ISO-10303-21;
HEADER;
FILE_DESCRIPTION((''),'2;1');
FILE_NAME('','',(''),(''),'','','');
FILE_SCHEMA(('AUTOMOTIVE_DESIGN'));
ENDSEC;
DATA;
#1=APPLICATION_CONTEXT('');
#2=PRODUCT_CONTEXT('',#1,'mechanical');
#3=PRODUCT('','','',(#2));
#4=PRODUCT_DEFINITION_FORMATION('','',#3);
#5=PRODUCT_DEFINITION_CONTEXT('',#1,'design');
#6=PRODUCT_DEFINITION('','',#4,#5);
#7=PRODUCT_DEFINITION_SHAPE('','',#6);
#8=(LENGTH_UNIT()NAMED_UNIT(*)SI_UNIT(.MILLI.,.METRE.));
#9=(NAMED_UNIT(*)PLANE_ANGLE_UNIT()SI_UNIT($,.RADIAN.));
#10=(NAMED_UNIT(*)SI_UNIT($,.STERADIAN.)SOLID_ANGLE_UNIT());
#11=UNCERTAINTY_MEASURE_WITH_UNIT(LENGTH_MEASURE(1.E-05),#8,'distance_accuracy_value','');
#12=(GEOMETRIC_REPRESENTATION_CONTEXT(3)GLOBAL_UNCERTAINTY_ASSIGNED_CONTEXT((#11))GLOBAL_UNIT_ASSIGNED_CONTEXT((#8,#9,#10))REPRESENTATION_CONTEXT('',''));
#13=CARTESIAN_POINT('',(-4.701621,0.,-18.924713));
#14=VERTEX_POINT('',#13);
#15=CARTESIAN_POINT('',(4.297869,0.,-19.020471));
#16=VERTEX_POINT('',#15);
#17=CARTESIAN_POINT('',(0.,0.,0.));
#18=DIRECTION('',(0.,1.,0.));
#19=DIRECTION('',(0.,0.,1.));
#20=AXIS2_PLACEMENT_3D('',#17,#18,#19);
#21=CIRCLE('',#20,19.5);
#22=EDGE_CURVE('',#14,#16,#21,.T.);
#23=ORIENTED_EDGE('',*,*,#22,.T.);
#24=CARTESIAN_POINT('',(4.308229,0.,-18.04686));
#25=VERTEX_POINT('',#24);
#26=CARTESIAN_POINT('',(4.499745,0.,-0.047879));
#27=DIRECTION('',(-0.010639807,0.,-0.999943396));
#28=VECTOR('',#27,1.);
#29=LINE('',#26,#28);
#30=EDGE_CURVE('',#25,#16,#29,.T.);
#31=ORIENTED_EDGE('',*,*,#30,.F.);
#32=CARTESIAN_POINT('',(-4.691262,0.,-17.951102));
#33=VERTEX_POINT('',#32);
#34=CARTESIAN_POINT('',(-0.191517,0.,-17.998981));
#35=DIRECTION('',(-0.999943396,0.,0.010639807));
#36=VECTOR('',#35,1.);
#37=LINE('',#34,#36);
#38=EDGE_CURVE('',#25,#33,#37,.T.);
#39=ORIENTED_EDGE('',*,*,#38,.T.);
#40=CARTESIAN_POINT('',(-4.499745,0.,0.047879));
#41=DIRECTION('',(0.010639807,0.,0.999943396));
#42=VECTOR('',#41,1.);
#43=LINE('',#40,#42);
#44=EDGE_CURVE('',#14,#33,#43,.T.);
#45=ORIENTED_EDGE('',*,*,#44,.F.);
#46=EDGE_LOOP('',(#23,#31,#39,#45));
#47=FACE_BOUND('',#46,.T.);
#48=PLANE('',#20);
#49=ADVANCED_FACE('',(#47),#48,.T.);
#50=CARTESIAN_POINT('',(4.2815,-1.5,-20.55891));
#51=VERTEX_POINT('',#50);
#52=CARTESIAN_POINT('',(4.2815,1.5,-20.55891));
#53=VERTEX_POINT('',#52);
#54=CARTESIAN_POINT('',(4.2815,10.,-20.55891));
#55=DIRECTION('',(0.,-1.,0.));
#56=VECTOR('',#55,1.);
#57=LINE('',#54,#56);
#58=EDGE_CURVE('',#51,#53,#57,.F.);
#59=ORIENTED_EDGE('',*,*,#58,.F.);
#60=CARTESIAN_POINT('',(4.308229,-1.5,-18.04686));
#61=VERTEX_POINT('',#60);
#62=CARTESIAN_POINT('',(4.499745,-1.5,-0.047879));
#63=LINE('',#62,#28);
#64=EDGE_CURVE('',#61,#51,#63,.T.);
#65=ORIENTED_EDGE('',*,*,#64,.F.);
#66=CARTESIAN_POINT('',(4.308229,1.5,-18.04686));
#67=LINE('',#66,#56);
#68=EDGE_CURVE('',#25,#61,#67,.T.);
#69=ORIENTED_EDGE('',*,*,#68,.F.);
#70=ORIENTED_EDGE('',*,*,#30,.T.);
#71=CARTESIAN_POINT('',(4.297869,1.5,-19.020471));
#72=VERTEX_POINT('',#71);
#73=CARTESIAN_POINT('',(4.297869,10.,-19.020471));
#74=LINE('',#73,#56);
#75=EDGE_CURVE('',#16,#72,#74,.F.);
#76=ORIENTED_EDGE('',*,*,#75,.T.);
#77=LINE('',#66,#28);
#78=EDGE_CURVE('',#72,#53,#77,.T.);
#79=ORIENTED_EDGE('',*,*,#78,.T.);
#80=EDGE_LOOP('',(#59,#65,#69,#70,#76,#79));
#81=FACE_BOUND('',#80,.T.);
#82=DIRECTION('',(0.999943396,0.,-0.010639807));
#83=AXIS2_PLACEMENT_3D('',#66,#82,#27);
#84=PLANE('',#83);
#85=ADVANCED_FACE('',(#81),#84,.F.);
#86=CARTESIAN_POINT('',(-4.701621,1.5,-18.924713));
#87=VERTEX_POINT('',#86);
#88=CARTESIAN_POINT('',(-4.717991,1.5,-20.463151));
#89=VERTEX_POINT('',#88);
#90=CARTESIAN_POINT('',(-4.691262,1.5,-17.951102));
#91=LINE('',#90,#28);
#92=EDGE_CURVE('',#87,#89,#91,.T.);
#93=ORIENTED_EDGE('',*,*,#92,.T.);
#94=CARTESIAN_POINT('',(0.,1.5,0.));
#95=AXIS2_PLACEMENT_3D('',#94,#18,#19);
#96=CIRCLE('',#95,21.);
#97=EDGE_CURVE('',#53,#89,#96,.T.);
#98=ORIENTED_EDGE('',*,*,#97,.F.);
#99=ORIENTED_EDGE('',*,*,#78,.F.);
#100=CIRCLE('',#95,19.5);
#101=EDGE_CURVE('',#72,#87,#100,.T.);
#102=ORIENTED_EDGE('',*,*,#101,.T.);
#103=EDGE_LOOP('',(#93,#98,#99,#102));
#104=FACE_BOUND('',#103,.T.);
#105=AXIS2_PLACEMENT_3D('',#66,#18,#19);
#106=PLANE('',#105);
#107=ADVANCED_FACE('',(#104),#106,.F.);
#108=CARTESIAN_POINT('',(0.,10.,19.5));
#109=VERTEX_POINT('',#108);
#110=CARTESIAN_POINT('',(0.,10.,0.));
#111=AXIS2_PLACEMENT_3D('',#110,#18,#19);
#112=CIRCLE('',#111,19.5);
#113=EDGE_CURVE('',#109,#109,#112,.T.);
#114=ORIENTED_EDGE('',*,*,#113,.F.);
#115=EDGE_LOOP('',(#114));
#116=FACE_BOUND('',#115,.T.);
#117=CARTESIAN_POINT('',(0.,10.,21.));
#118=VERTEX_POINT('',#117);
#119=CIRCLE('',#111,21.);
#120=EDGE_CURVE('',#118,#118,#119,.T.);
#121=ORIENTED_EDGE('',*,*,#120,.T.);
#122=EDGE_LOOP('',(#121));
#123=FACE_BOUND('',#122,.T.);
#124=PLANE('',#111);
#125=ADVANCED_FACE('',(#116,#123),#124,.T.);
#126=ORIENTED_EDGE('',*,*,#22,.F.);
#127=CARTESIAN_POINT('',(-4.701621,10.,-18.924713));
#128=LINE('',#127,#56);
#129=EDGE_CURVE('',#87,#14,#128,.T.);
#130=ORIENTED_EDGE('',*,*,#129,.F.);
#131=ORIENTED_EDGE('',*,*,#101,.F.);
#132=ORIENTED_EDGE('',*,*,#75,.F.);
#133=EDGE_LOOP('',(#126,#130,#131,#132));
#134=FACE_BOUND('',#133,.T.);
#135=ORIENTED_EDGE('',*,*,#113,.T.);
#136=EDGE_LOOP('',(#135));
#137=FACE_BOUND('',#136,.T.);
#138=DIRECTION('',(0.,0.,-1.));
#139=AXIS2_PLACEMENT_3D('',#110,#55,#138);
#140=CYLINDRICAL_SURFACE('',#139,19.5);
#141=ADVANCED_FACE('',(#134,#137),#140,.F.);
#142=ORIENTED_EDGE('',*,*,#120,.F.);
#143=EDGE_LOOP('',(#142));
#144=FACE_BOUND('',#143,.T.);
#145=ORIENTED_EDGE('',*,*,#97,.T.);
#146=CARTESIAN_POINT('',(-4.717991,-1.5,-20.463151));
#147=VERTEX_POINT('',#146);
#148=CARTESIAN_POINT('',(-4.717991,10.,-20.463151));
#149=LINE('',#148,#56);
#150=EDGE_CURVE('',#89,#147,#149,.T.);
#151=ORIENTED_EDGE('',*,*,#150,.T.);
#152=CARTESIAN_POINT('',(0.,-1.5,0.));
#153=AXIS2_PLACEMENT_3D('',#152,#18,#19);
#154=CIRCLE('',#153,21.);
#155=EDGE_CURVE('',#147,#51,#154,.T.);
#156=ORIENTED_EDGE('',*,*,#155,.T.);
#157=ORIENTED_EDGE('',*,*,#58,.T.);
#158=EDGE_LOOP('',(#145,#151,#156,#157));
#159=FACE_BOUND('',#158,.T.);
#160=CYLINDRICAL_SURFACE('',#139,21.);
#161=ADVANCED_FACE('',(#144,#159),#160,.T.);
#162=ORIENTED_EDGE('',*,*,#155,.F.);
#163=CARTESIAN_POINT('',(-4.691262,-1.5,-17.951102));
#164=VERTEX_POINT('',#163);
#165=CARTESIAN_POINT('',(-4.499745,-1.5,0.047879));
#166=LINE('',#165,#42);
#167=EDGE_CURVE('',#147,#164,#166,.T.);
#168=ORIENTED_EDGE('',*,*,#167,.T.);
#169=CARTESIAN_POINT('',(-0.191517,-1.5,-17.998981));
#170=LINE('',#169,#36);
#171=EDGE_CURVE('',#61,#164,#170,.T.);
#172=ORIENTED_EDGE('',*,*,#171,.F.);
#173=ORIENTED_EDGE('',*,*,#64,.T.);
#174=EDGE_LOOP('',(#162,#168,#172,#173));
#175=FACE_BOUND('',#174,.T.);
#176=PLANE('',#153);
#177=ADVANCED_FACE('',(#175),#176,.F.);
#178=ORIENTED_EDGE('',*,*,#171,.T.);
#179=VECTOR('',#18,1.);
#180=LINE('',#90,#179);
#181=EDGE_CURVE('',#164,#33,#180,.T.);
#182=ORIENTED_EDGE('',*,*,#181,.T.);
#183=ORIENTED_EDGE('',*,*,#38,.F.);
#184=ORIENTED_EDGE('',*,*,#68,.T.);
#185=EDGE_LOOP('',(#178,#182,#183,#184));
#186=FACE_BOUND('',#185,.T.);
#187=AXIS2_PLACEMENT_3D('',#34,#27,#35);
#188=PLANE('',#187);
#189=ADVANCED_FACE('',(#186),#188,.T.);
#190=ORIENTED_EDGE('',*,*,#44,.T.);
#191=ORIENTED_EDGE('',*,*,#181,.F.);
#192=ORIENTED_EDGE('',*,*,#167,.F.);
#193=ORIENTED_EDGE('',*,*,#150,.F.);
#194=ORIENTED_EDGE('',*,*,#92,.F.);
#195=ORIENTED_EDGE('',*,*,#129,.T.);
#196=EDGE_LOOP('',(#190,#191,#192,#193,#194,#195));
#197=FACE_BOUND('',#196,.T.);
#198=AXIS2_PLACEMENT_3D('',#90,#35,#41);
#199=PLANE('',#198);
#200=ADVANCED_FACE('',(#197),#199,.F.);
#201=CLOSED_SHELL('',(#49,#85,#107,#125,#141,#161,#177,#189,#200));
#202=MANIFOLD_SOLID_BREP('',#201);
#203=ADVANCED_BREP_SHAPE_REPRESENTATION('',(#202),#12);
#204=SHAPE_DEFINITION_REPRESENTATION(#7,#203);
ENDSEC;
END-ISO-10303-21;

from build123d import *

# Parameters (mm, degrees)
SKETCH1_R           = 19.5
BOSS_EXTRUDE1_DEPTH = 10
SHELL1_T            = 1.5
SKETCH2_W           = 9
SKETCH2_H           = 6
CUT_EXTRUDE1_DEPTH  = 3


with BuildPart() as part:
    # Sketch1 → Boss-Extrude1 (new body)
    with BuildSketch(Plane(origin=(0, 0, 0), x_dir=(1, 0, 0), z_dir=(0, 1, 0))):
        with Locations(Location((0, 0, 0), (0, 0, 270))):
            Circle(SKETCH1_R)
    extrude(amount=BOSS_EXTRUDE1_DEPTH)

    # Shell1
    shell1_openings = [part.faces().sort_by_distance(p)[0] for p in [
        (0, 10, 0),
    ]]
    offset(amount=SHELL1_T, openings=shell1_openings, kind=Kind.INTERSECTION)

    # Sketch2 → Cut-Extrude1 (cut)
    with BuildSketch(Plane(origin=(-35.117811043, 32.6041754, -20.627520882), x_dir=(-0.9999433956533795, 0, 0.010639806821049314), z_dir=(-0.010639806821049314, 0, -0.9999433956533795))):
        with Locations((-34.896350385, -34.1041754)):
            Rectangle(SKETCH2_W, SKETCH2_H)
    extrude(amount=-CUT_EXTRUDE1_DEPTH, mode=Mode.SUBTRACT)


solid = part.part
